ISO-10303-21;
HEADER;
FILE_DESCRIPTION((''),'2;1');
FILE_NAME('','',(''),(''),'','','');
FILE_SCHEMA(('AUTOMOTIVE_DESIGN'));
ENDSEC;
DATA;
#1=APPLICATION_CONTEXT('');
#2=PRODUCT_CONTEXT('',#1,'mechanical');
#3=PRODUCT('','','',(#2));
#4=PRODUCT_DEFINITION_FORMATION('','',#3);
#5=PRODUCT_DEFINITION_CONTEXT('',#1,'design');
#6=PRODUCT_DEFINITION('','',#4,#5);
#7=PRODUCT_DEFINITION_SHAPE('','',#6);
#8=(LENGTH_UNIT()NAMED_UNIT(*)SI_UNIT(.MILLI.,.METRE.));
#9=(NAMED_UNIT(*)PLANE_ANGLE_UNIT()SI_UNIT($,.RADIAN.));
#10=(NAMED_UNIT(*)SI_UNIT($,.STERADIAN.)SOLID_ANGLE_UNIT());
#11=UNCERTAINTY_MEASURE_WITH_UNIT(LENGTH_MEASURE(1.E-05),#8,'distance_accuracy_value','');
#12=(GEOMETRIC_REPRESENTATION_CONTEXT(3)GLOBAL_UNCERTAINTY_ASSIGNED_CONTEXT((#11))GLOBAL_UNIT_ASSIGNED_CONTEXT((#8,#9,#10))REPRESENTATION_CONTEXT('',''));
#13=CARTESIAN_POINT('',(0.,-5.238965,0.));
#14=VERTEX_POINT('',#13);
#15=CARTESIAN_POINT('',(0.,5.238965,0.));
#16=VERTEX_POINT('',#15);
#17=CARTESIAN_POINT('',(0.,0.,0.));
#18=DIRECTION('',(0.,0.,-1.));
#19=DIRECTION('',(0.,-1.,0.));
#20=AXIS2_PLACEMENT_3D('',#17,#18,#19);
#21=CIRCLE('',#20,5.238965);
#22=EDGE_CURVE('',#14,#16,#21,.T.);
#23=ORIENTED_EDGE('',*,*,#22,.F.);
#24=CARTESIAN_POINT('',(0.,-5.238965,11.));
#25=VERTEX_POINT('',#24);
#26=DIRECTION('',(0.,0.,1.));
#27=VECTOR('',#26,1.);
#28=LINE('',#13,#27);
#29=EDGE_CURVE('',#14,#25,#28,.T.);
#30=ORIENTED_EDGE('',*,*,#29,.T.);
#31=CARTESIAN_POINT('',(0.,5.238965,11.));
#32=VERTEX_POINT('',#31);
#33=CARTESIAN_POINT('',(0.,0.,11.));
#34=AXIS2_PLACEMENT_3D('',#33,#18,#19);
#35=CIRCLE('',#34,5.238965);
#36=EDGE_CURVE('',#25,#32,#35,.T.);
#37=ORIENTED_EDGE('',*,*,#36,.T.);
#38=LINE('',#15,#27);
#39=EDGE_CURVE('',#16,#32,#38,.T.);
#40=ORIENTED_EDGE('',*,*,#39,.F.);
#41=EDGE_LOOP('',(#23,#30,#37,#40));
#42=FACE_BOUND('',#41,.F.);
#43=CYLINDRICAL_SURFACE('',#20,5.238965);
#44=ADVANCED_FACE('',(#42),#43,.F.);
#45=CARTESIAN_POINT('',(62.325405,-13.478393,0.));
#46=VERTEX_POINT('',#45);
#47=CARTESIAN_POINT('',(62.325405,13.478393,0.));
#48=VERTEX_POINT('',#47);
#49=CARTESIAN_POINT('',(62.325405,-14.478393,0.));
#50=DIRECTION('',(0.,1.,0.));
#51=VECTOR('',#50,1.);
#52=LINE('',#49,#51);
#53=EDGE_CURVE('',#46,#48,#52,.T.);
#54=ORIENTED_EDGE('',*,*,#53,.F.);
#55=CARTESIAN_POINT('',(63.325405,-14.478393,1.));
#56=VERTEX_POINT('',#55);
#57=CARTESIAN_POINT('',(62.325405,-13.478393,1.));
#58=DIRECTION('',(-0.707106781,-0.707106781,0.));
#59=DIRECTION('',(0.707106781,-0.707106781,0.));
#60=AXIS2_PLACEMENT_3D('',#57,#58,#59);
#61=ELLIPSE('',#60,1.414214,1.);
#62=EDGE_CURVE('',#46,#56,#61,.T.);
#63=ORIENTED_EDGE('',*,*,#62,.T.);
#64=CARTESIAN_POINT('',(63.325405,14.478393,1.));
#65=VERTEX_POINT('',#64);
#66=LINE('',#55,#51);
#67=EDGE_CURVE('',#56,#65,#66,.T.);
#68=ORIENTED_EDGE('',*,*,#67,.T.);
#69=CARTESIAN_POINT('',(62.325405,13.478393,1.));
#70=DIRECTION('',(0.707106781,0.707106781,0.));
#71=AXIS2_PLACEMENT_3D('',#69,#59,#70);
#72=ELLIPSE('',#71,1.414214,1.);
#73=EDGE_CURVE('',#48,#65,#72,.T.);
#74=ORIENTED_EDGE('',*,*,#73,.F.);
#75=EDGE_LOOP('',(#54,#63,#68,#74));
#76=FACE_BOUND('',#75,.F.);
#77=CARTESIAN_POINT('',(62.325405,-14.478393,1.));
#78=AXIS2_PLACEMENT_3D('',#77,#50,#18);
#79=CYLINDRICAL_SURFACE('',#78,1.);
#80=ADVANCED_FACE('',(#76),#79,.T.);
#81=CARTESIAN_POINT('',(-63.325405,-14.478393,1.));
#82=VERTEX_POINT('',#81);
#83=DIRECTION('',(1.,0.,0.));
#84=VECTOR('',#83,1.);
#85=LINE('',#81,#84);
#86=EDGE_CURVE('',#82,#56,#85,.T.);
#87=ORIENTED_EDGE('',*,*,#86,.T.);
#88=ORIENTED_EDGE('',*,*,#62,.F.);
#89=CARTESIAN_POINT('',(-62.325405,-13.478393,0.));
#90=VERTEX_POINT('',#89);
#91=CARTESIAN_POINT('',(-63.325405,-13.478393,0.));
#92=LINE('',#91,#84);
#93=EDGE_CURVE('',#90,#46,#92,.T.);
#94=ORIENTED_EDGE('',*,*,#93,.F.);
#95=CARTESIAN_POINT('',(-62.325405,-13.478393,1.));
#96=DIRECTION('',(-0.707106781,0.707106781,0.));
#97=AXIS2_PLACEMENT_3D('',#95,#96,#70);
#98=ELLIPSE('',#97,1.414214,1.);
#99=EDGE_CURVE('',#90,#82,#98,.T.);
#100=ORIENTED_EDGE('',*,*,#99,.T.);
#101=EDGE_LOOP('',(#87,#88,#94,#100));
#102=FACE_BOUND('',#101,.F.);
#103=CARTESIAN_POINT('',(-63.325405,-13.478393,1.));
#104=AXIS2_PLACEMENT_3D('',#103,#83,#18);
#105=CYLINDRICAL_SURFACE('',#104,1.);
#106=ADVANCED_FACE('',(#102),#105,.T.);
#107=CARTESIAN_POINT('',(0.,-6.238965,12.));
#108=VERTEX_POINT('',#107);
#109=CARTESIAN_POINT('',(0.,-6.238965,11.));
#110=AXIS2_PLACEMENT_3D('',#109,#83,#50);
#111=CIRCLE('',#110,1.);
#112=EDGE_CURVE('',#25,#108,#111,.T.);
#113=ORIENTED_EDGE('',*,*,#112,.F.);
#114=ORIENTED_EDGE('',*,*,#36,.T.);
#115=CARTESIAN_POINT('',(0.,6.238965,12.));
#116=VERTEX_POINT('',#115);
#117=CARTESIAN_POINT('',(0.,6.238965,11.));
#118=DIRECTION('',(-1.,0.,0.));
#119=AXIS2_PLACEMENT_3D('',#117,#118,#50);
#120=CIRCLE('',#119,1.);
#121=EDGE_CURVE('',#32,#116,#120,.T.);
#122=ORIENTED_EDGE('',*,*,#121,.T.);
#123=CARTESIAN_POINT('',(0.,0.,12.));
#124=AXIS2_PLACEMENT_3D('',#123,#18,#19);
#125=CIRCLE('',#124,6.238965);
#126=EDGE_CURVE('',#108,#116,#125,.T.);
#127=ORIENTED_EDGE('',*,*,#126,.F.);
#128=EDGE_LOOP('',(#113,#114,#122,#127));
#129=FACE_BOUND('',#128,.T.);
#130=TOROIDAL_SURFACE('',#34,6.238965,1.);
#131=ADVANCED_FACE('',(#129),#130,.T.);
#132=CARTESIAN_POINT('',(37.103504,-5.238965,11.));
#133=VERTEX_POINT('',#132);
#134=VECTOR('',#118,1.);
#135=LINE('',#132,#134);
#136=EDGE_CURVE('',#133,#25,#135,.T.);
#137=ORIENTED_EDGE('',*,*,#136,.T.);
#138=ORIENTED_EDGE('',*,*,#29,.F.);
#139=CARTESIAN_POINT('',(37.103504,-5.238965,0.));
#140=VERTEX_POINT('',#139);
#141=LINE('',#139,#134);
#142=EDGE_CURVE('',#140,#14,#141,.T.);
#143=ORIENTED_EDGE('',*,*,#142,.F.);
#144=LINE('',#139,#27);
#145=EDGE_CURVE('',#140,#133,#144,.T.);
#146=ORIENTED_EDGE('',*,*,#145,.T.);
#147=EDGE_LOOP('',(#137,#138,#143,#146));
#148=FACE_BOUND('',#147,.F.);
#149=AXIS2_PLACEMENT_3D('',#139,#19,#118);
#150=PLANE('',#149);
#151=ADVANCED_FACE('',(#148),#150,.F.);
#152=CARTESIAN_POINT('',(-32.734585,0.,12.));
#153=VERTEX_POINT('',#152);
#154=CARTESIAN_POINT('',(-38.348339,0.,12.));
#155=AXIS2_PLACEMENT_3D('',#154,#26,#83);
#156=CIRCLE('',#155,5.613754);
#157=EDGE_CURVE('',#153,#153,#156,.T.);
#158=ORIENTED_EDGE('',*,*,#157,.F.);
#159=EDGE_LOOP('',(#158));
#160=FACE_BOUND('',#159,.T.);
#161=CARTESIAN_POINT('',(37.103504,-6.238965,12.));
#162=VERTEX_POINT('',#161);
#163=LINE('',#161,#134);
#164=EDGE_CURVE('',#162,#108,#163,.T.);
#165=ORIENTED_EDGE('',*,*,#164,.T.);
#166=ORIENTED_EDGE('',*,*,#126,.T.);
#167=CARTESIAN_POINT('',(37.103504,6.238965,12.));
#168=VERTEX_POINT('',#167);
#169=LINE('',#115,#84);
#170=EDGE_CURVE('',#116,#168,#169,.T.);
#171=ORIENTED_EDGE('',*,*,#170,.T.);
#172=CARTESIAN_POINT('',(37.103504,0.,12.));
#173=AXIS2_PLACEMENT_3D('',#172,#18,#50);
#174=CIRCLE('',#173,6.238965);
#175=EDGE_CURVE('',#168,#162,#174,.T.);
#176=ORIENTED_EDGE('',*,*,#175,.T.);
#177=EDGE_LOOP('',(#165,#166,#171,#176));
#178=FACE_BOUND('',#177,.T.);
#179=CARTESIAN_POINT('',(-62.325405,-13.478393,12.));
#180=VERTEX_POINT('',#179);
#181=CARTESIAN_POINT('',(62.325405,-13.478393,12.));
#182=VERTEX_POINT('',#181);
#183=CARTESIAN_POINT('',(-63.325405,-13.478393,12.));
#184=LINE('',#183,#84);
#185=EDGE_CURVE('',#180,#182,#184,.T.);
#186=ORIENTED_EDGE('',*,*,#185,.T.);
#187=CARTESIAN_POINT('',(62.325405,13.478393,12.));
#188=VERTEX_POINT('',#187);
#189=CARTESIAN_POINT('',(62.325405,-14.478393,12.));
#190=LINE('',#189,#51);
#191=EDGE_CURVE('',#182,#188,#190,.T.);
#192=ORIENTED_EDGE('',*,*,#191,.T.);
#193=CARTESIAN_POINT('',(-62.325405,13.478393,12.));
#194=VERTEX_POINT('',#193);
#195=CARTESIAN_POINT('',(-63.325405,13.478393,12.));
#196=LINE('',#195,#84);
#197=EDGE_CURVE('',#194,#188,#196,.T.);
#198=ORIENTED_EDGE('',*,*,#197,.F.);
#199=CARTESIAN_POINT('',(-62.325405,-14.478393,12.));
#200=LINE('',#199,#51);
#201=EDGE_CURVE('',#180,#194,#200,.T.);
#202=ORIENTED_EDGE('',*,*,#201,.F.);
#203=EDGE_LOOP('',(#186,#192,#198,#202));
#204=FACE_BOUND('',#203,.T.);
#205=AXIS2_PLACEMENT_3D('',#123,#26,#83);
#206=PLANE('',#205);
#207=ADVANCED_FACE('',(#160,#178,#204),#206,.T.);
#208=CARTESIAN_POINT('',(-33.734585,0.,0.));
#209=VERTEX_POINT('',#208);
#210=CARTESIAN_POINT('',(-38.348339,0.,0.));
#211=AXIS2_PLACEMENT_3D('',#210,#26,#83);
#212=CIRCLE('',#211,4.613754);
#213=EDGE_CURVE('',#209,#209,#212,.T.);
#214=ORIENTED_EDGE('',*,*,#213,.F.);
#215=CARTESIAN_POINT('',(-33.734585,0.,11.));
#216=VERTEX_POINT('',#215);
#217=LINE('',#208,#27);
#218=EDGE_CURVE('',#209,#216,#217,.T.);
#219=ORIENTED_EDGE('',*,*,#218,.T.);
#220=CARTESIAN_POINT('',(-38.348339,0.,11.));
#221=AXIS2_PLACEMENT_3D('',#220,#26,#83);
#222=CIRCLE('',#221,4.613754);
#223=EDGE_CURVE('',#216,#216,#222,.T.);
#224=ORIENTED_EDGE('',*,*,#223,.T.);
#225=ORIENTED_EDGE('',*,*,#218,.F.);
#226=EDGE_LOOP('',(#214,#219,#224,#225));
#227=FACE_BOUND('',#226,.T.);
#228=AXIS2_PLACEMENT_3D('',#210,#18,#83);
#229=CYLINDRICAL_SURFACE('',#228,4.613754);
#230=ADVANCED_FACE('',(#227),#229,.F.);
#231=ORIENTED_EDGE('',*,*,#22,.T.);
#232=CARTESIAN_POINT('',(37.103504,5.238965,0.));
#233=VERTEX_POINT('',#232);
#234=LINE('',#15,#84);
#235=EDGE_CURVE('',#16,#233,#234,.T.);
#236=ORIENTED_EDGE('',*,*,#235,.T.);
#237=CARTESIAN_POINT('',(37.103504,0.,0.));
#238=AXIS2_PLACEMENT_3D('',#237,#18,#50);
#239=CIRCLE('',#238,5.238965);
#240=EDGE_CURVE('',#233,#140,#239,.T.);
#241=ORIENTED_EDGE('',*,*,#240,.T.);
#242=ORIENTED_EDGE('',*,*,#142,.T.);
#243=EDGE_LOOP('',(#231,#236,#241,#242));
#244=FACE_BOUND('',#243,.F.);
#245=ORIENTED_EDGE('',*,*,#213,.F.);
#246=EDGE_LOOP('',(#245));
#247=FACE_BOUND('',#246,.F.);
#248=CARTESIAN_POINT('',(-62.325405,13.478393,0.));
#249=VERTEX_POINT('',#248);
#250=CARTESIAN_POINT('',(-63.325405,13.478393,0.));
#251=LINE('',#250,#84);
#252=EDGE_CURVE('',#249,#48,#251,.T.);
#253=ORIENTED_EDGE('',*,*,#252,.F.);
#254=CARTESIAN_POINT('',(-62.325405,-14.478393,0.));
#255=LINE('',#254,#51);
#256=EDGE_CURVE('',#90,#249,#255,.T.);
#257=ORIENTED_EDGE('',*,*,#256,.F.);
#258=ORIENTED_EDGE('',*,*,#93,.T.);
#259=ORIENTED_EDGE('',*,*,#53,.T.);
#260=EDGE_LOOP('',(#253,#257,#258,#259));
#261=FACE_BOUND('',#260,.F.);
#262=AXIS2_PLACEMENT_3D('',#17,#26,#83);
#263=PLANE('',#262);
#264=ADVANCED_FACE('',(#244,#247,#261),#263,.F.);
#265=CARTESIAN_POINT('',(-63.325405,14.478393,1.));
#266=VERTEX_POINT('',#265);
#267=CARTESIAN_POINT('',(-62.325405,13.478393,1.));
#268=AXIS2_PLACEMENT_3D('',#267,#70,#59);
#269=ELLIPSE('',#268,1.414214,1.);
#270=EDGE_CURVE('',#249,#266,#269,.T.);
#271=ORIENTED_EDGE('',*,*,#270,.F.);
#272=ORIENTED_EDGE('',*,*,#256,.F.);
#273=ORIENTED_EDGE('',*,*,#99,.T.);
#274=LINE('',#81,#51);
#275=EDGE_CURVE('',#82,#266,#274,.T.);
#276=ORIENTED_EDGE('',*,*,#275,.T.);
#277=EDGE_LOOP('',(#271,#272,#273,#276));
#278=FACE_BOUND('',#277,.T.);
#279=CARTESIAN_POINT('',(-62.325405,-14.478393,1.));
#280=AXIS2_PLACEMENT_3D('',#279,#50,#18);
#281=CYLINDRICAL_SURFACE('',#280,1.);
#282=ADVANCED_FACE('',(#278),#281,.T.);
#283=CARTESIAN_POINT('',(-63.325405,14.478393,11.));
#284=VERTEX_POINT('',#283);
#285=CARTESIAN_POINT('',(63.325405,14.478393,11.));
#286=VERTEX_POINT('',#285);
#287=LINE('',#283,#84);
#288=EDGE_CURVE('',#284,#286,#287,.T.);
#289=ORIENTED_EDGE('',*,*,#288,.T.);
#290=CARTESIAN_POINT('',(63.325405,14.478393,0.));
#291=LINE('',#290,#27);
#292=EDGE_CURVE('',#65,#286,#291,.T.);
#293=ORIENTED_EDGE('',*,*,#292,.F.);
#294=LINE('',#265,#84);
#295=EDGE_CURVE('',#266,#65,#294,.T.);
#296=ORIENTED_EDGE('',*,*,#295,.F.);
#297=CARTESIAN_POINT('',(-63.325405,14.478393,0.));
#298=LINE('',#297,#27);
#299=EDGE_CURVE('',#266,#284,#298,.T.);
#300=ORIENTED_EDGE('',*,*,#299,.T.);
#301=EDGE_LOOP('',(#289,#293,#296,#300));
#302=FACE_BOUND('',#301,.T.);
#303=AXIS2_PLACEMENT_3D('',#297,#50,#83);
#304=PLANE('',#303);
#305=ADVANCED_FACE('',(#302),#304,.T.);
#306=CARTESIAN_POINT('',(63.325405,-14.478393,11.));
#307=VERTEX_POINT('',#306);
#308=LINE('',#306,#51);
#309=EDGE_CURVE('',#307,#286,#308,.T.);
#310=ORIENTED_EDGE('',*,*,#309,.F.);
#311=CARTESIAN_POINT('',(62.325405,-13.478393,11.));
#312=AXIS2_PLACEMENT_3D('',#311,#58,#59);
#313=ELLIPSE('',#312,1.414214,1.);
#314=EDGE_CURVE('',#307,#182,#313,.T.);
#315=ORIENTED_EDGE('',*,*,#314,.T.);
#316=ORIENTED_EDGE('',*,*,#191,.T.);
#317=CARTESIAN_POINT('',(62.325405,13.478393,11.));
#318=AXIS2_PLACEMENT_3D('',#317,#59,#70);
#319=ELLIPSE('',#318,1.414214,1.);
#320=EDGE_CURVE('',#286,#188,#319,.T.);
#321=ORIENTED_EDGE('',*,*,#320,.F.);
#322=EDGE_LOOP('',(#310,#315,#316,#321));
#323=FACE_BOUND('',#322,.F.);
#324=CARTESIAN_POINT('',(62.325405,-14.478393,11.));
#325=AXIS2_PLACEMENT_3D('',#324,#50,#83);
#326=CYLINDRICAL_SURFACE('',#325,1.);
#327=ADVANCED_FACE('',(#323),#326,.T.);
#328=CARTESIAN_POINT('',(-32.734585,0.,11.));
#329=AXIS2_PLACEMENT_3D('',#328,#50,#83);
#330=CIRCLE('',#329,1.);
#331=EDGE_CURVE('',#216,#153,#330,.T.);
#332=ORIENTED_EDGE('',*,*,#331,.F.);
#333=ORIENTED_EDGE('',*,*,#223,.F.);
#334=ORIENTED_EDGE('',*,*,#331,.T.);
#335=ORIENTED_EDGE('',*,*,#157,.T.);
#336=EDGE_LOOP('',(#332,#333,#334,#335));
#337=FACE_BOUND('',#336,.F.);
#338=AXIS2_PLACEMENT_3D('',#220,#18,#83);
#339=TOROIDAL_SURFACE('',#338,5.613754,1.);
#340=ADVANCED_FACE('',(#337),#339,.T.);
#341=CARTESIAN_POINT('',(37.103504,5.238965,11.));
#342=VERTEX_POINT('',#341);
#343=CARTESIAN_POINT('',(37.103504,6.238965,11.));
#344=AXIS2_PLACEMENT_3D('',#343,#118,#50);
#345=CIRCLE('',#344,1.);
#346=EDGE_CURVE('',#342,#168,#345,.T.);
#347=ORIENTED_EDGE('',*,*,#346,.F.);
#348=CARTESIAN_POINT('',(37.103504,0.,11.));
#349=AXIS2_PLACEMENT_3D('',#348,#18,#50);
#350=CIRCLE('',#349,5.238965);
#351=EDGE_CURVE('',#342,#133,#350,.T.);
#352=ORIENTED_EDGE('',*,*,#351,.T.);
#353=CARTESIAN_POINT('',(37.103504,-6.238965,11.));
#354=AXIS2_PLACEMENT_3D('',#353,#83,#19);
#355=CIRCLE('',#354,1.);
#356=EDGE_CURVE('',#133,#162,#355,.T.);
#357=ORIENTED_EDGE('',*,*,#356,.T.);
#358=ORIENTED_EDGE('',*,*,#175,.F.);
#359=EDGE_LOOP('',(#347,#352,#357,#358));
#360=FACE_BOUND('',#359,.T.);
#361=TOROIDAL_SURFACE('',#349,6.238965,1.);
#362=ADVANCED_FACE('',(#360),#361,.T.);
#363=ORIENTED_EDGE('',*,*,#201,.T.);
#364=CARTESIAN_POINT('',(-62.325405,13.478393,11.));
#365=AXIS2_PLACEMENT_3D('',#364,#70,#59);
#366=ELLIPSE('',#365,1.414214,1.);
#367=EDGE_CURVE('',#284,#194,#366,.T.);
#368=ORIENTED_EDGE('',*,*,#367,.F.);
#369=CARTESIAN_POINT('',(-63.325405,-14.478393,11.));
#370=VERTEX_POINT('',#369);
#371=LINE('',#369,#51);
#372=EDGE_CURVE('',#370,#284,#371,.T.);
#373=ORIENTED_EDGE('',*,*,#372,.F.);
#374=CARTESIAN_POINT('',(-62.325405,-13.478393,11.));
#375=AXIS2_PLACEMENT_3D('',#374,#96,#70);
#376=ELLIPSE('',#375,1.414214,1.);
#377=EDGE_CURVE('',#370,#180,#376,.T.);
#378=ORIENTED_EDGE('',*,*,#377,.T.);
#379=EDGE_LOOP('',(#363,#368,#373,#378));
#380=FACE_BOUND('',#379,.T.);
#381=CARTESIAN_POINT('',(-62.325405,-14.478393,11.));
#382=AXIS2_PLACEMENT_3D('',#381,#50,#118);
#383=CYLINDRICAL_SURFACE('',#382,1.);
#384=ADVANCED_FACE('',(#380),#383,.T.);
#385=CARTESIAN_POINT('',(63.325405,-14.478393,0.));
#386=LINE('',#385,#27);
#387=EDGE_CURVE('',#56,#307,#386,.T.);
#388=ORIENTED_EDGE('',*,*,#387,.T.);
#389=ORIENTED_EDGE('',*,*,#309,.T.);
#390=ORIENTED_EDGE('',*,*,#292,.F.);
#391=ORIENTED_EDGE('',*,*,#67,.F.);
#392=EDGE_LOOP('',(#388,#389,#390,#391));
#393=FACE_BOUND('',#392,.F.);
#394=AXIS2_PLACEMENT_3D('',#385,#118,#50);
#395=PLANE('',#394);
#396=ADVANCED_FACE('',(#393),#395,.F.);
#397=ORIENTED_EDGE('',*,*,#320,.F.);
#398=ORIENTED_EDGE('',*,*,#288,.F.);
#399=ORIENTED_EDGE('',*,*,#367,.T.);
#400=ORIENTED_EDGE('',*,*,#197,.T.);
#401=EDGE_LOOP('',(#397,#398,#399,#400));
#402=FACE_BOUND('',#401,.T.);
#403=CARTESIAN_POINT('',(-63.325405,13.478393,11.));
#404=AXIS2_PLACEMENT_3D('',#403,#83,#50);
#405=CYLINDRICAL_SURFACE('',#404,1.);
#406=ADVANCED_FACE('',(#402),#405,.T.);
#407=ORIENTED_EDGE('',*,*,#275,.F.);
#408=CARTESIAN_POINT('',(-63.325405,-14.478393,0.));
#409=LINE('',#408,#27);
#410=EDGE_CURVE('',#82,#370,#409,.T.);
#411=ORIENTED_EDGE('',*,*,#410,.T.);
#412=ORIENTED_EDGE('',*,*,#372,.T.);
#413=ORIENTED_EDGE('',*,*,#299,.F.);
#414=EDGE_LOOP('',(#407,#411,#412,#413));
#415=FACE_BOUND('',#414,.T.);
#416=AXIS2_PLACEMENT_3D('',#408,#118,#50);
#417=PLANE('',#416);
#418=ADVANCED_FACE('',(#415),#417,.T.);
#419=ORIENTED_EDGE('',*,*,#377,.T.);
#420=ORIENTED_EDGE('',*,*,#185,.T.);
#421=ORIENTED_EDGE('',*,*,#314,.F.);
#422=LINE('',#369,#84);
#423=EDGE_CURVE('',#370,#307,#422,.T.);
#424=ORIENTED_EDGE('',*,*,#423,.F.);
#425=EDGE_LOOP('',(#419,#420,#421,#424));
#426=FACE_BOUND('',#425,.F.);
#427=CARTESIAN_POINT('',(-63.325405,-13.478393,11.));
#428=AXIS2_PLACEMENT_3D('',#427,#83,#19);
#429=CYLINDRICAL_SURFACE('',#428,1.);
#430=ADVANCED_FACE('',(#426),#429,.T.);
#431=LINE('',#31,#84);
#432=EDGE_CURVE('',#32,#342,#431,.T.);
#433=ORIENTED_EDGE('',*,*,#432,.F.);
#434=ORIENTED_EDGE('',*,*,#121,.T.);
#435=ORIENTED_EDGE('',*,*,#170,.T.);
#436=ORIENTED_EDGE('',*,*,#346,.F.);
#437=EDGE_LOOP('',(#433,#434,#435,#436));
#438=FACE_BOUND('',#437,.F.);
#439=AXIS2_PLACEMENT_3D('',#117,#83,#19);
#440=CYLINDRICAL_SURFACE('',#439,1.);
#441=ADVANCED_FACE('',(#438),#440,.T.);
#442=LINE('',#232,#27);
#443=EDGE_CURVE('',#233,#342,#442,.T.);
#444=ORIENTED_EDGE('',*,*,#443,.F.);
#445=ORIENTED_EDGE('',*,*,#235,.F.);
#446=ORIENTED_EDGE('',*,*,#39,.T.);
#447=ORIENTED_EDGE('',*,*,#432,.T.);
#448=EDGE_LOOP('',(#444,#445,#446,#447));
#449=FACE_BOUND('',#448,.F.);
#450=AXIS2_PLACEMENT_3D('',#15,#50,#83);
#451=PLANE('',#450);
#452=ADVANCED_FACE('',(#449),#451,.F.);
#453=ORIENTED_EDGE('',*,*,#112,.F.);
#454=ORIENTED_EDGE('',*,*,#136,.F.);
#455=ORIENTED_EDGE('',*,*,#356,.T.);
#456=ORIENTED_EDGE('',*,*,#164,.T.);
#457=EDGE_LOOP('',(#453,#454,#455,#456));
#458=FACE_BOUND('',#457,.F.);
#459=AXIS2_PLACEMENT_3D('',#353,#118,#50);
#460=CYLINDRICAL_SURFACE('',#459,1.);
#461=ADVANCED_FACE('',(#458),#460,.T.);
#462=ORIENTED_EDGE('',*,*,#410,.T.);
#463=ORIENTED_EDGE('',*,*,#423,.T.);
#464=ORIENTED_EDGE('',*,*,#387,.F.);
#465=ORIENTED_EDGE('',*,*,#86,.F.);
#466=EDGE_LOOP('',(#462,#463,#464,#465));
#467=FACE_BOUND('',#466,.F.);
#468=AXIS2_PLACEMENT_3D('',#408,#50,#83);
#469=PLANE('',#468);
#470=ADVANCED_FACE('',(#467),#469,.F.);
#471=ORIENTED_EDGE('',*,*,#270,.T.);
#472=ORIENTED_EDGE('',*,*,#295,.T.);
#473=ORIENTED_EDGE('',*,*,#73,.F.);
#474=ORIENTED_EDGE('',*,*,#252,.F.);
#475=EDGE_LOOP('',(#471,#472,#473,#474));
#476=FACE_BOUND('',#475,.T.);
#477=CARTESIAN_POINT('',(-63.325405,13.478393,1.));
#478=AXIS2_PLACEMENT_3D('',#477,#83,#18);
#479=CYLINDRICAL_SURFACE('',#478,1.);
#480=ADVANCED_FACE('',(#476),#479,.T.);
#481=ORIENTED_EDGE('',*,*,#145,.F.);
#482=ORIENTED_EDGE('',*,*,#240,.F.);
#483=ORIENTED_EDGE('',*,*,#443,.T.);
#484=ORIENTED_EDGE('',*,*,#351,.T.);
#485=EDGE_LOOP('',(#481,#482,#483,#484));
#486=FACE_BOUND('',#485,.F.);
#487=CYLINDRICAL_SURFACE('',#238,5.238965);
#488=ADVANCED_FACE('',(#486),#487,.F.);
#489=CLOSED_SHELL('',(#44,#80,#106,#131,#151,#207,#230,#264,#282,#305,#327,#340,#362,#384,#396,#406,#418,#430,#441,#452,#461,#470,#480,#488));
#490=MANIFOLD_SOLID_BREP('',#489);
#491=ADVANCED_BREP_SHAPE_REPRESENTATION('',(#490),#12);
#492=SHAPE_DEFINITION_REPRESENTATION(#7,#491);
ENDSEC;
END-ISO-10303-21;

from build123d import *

# Parameters (mm, degrees)
F0_W     = 126.65081
F0_H     = 28.956786
F0_R     = 4.613754
F1_DEPTH = 12
F2_R     = 1
F3_R     = 1
F4_R     = 1


with BuildPart() as f1:
    # F0 (on Top) → F1 (new body)
    with BuildSketch(Plane.XY):
        Rectangle(F0_W, F0_H)
        with Locations((-38.348339, 0)):
            Circle(F0_R, mode=Mode.SUBTRACT)
        with BuildLine():
            ThreePointArc((0, -5.238965), (-5.238965, 0), (0, 5.238965))
            Line((0, 5.238965), (37.103504, 5.238965))
            ThreePointArc((37.103504, 5.238965), (42.342469, 0), (37.103504, -5.238965))
            Line((37.103504, -5.238965), (0, -5.238965))
        make_face(mode=Mode.SUBTRACT)
    extrude(amount=F1_DEPTH)

    # F2
    f2_edges = [f1.edges().sort_by_distance(p)[0] for p in [
        (-42.962094, 0, 12),
        (42.342469, 0, 12),
    ]]
    fillet(f2_edges, radius=F2_R)

    # F3
    f3_edges = [f1.edges().sort_by_distance(p)[0] for p in [
        (0, -14.478393, 0),
        (0, 14.478393, 0),
        (63.325405, 0, 0),
        (-63.325405, 0, 0),
    ]]
    fillet(f3_edges, radius=F3_R)

    # F4
    f4_edges = [f1.edges().sort_by_distance(p)[0] for p in [
        (0, -14.478393, 12),
        (63.325405, 0, 12),
        (0, 14.478393, 12),
        (-63.325405, 0, 12),
    ]]
    fillet(f4_edges, radius=F4_R)


solid = f1.part
